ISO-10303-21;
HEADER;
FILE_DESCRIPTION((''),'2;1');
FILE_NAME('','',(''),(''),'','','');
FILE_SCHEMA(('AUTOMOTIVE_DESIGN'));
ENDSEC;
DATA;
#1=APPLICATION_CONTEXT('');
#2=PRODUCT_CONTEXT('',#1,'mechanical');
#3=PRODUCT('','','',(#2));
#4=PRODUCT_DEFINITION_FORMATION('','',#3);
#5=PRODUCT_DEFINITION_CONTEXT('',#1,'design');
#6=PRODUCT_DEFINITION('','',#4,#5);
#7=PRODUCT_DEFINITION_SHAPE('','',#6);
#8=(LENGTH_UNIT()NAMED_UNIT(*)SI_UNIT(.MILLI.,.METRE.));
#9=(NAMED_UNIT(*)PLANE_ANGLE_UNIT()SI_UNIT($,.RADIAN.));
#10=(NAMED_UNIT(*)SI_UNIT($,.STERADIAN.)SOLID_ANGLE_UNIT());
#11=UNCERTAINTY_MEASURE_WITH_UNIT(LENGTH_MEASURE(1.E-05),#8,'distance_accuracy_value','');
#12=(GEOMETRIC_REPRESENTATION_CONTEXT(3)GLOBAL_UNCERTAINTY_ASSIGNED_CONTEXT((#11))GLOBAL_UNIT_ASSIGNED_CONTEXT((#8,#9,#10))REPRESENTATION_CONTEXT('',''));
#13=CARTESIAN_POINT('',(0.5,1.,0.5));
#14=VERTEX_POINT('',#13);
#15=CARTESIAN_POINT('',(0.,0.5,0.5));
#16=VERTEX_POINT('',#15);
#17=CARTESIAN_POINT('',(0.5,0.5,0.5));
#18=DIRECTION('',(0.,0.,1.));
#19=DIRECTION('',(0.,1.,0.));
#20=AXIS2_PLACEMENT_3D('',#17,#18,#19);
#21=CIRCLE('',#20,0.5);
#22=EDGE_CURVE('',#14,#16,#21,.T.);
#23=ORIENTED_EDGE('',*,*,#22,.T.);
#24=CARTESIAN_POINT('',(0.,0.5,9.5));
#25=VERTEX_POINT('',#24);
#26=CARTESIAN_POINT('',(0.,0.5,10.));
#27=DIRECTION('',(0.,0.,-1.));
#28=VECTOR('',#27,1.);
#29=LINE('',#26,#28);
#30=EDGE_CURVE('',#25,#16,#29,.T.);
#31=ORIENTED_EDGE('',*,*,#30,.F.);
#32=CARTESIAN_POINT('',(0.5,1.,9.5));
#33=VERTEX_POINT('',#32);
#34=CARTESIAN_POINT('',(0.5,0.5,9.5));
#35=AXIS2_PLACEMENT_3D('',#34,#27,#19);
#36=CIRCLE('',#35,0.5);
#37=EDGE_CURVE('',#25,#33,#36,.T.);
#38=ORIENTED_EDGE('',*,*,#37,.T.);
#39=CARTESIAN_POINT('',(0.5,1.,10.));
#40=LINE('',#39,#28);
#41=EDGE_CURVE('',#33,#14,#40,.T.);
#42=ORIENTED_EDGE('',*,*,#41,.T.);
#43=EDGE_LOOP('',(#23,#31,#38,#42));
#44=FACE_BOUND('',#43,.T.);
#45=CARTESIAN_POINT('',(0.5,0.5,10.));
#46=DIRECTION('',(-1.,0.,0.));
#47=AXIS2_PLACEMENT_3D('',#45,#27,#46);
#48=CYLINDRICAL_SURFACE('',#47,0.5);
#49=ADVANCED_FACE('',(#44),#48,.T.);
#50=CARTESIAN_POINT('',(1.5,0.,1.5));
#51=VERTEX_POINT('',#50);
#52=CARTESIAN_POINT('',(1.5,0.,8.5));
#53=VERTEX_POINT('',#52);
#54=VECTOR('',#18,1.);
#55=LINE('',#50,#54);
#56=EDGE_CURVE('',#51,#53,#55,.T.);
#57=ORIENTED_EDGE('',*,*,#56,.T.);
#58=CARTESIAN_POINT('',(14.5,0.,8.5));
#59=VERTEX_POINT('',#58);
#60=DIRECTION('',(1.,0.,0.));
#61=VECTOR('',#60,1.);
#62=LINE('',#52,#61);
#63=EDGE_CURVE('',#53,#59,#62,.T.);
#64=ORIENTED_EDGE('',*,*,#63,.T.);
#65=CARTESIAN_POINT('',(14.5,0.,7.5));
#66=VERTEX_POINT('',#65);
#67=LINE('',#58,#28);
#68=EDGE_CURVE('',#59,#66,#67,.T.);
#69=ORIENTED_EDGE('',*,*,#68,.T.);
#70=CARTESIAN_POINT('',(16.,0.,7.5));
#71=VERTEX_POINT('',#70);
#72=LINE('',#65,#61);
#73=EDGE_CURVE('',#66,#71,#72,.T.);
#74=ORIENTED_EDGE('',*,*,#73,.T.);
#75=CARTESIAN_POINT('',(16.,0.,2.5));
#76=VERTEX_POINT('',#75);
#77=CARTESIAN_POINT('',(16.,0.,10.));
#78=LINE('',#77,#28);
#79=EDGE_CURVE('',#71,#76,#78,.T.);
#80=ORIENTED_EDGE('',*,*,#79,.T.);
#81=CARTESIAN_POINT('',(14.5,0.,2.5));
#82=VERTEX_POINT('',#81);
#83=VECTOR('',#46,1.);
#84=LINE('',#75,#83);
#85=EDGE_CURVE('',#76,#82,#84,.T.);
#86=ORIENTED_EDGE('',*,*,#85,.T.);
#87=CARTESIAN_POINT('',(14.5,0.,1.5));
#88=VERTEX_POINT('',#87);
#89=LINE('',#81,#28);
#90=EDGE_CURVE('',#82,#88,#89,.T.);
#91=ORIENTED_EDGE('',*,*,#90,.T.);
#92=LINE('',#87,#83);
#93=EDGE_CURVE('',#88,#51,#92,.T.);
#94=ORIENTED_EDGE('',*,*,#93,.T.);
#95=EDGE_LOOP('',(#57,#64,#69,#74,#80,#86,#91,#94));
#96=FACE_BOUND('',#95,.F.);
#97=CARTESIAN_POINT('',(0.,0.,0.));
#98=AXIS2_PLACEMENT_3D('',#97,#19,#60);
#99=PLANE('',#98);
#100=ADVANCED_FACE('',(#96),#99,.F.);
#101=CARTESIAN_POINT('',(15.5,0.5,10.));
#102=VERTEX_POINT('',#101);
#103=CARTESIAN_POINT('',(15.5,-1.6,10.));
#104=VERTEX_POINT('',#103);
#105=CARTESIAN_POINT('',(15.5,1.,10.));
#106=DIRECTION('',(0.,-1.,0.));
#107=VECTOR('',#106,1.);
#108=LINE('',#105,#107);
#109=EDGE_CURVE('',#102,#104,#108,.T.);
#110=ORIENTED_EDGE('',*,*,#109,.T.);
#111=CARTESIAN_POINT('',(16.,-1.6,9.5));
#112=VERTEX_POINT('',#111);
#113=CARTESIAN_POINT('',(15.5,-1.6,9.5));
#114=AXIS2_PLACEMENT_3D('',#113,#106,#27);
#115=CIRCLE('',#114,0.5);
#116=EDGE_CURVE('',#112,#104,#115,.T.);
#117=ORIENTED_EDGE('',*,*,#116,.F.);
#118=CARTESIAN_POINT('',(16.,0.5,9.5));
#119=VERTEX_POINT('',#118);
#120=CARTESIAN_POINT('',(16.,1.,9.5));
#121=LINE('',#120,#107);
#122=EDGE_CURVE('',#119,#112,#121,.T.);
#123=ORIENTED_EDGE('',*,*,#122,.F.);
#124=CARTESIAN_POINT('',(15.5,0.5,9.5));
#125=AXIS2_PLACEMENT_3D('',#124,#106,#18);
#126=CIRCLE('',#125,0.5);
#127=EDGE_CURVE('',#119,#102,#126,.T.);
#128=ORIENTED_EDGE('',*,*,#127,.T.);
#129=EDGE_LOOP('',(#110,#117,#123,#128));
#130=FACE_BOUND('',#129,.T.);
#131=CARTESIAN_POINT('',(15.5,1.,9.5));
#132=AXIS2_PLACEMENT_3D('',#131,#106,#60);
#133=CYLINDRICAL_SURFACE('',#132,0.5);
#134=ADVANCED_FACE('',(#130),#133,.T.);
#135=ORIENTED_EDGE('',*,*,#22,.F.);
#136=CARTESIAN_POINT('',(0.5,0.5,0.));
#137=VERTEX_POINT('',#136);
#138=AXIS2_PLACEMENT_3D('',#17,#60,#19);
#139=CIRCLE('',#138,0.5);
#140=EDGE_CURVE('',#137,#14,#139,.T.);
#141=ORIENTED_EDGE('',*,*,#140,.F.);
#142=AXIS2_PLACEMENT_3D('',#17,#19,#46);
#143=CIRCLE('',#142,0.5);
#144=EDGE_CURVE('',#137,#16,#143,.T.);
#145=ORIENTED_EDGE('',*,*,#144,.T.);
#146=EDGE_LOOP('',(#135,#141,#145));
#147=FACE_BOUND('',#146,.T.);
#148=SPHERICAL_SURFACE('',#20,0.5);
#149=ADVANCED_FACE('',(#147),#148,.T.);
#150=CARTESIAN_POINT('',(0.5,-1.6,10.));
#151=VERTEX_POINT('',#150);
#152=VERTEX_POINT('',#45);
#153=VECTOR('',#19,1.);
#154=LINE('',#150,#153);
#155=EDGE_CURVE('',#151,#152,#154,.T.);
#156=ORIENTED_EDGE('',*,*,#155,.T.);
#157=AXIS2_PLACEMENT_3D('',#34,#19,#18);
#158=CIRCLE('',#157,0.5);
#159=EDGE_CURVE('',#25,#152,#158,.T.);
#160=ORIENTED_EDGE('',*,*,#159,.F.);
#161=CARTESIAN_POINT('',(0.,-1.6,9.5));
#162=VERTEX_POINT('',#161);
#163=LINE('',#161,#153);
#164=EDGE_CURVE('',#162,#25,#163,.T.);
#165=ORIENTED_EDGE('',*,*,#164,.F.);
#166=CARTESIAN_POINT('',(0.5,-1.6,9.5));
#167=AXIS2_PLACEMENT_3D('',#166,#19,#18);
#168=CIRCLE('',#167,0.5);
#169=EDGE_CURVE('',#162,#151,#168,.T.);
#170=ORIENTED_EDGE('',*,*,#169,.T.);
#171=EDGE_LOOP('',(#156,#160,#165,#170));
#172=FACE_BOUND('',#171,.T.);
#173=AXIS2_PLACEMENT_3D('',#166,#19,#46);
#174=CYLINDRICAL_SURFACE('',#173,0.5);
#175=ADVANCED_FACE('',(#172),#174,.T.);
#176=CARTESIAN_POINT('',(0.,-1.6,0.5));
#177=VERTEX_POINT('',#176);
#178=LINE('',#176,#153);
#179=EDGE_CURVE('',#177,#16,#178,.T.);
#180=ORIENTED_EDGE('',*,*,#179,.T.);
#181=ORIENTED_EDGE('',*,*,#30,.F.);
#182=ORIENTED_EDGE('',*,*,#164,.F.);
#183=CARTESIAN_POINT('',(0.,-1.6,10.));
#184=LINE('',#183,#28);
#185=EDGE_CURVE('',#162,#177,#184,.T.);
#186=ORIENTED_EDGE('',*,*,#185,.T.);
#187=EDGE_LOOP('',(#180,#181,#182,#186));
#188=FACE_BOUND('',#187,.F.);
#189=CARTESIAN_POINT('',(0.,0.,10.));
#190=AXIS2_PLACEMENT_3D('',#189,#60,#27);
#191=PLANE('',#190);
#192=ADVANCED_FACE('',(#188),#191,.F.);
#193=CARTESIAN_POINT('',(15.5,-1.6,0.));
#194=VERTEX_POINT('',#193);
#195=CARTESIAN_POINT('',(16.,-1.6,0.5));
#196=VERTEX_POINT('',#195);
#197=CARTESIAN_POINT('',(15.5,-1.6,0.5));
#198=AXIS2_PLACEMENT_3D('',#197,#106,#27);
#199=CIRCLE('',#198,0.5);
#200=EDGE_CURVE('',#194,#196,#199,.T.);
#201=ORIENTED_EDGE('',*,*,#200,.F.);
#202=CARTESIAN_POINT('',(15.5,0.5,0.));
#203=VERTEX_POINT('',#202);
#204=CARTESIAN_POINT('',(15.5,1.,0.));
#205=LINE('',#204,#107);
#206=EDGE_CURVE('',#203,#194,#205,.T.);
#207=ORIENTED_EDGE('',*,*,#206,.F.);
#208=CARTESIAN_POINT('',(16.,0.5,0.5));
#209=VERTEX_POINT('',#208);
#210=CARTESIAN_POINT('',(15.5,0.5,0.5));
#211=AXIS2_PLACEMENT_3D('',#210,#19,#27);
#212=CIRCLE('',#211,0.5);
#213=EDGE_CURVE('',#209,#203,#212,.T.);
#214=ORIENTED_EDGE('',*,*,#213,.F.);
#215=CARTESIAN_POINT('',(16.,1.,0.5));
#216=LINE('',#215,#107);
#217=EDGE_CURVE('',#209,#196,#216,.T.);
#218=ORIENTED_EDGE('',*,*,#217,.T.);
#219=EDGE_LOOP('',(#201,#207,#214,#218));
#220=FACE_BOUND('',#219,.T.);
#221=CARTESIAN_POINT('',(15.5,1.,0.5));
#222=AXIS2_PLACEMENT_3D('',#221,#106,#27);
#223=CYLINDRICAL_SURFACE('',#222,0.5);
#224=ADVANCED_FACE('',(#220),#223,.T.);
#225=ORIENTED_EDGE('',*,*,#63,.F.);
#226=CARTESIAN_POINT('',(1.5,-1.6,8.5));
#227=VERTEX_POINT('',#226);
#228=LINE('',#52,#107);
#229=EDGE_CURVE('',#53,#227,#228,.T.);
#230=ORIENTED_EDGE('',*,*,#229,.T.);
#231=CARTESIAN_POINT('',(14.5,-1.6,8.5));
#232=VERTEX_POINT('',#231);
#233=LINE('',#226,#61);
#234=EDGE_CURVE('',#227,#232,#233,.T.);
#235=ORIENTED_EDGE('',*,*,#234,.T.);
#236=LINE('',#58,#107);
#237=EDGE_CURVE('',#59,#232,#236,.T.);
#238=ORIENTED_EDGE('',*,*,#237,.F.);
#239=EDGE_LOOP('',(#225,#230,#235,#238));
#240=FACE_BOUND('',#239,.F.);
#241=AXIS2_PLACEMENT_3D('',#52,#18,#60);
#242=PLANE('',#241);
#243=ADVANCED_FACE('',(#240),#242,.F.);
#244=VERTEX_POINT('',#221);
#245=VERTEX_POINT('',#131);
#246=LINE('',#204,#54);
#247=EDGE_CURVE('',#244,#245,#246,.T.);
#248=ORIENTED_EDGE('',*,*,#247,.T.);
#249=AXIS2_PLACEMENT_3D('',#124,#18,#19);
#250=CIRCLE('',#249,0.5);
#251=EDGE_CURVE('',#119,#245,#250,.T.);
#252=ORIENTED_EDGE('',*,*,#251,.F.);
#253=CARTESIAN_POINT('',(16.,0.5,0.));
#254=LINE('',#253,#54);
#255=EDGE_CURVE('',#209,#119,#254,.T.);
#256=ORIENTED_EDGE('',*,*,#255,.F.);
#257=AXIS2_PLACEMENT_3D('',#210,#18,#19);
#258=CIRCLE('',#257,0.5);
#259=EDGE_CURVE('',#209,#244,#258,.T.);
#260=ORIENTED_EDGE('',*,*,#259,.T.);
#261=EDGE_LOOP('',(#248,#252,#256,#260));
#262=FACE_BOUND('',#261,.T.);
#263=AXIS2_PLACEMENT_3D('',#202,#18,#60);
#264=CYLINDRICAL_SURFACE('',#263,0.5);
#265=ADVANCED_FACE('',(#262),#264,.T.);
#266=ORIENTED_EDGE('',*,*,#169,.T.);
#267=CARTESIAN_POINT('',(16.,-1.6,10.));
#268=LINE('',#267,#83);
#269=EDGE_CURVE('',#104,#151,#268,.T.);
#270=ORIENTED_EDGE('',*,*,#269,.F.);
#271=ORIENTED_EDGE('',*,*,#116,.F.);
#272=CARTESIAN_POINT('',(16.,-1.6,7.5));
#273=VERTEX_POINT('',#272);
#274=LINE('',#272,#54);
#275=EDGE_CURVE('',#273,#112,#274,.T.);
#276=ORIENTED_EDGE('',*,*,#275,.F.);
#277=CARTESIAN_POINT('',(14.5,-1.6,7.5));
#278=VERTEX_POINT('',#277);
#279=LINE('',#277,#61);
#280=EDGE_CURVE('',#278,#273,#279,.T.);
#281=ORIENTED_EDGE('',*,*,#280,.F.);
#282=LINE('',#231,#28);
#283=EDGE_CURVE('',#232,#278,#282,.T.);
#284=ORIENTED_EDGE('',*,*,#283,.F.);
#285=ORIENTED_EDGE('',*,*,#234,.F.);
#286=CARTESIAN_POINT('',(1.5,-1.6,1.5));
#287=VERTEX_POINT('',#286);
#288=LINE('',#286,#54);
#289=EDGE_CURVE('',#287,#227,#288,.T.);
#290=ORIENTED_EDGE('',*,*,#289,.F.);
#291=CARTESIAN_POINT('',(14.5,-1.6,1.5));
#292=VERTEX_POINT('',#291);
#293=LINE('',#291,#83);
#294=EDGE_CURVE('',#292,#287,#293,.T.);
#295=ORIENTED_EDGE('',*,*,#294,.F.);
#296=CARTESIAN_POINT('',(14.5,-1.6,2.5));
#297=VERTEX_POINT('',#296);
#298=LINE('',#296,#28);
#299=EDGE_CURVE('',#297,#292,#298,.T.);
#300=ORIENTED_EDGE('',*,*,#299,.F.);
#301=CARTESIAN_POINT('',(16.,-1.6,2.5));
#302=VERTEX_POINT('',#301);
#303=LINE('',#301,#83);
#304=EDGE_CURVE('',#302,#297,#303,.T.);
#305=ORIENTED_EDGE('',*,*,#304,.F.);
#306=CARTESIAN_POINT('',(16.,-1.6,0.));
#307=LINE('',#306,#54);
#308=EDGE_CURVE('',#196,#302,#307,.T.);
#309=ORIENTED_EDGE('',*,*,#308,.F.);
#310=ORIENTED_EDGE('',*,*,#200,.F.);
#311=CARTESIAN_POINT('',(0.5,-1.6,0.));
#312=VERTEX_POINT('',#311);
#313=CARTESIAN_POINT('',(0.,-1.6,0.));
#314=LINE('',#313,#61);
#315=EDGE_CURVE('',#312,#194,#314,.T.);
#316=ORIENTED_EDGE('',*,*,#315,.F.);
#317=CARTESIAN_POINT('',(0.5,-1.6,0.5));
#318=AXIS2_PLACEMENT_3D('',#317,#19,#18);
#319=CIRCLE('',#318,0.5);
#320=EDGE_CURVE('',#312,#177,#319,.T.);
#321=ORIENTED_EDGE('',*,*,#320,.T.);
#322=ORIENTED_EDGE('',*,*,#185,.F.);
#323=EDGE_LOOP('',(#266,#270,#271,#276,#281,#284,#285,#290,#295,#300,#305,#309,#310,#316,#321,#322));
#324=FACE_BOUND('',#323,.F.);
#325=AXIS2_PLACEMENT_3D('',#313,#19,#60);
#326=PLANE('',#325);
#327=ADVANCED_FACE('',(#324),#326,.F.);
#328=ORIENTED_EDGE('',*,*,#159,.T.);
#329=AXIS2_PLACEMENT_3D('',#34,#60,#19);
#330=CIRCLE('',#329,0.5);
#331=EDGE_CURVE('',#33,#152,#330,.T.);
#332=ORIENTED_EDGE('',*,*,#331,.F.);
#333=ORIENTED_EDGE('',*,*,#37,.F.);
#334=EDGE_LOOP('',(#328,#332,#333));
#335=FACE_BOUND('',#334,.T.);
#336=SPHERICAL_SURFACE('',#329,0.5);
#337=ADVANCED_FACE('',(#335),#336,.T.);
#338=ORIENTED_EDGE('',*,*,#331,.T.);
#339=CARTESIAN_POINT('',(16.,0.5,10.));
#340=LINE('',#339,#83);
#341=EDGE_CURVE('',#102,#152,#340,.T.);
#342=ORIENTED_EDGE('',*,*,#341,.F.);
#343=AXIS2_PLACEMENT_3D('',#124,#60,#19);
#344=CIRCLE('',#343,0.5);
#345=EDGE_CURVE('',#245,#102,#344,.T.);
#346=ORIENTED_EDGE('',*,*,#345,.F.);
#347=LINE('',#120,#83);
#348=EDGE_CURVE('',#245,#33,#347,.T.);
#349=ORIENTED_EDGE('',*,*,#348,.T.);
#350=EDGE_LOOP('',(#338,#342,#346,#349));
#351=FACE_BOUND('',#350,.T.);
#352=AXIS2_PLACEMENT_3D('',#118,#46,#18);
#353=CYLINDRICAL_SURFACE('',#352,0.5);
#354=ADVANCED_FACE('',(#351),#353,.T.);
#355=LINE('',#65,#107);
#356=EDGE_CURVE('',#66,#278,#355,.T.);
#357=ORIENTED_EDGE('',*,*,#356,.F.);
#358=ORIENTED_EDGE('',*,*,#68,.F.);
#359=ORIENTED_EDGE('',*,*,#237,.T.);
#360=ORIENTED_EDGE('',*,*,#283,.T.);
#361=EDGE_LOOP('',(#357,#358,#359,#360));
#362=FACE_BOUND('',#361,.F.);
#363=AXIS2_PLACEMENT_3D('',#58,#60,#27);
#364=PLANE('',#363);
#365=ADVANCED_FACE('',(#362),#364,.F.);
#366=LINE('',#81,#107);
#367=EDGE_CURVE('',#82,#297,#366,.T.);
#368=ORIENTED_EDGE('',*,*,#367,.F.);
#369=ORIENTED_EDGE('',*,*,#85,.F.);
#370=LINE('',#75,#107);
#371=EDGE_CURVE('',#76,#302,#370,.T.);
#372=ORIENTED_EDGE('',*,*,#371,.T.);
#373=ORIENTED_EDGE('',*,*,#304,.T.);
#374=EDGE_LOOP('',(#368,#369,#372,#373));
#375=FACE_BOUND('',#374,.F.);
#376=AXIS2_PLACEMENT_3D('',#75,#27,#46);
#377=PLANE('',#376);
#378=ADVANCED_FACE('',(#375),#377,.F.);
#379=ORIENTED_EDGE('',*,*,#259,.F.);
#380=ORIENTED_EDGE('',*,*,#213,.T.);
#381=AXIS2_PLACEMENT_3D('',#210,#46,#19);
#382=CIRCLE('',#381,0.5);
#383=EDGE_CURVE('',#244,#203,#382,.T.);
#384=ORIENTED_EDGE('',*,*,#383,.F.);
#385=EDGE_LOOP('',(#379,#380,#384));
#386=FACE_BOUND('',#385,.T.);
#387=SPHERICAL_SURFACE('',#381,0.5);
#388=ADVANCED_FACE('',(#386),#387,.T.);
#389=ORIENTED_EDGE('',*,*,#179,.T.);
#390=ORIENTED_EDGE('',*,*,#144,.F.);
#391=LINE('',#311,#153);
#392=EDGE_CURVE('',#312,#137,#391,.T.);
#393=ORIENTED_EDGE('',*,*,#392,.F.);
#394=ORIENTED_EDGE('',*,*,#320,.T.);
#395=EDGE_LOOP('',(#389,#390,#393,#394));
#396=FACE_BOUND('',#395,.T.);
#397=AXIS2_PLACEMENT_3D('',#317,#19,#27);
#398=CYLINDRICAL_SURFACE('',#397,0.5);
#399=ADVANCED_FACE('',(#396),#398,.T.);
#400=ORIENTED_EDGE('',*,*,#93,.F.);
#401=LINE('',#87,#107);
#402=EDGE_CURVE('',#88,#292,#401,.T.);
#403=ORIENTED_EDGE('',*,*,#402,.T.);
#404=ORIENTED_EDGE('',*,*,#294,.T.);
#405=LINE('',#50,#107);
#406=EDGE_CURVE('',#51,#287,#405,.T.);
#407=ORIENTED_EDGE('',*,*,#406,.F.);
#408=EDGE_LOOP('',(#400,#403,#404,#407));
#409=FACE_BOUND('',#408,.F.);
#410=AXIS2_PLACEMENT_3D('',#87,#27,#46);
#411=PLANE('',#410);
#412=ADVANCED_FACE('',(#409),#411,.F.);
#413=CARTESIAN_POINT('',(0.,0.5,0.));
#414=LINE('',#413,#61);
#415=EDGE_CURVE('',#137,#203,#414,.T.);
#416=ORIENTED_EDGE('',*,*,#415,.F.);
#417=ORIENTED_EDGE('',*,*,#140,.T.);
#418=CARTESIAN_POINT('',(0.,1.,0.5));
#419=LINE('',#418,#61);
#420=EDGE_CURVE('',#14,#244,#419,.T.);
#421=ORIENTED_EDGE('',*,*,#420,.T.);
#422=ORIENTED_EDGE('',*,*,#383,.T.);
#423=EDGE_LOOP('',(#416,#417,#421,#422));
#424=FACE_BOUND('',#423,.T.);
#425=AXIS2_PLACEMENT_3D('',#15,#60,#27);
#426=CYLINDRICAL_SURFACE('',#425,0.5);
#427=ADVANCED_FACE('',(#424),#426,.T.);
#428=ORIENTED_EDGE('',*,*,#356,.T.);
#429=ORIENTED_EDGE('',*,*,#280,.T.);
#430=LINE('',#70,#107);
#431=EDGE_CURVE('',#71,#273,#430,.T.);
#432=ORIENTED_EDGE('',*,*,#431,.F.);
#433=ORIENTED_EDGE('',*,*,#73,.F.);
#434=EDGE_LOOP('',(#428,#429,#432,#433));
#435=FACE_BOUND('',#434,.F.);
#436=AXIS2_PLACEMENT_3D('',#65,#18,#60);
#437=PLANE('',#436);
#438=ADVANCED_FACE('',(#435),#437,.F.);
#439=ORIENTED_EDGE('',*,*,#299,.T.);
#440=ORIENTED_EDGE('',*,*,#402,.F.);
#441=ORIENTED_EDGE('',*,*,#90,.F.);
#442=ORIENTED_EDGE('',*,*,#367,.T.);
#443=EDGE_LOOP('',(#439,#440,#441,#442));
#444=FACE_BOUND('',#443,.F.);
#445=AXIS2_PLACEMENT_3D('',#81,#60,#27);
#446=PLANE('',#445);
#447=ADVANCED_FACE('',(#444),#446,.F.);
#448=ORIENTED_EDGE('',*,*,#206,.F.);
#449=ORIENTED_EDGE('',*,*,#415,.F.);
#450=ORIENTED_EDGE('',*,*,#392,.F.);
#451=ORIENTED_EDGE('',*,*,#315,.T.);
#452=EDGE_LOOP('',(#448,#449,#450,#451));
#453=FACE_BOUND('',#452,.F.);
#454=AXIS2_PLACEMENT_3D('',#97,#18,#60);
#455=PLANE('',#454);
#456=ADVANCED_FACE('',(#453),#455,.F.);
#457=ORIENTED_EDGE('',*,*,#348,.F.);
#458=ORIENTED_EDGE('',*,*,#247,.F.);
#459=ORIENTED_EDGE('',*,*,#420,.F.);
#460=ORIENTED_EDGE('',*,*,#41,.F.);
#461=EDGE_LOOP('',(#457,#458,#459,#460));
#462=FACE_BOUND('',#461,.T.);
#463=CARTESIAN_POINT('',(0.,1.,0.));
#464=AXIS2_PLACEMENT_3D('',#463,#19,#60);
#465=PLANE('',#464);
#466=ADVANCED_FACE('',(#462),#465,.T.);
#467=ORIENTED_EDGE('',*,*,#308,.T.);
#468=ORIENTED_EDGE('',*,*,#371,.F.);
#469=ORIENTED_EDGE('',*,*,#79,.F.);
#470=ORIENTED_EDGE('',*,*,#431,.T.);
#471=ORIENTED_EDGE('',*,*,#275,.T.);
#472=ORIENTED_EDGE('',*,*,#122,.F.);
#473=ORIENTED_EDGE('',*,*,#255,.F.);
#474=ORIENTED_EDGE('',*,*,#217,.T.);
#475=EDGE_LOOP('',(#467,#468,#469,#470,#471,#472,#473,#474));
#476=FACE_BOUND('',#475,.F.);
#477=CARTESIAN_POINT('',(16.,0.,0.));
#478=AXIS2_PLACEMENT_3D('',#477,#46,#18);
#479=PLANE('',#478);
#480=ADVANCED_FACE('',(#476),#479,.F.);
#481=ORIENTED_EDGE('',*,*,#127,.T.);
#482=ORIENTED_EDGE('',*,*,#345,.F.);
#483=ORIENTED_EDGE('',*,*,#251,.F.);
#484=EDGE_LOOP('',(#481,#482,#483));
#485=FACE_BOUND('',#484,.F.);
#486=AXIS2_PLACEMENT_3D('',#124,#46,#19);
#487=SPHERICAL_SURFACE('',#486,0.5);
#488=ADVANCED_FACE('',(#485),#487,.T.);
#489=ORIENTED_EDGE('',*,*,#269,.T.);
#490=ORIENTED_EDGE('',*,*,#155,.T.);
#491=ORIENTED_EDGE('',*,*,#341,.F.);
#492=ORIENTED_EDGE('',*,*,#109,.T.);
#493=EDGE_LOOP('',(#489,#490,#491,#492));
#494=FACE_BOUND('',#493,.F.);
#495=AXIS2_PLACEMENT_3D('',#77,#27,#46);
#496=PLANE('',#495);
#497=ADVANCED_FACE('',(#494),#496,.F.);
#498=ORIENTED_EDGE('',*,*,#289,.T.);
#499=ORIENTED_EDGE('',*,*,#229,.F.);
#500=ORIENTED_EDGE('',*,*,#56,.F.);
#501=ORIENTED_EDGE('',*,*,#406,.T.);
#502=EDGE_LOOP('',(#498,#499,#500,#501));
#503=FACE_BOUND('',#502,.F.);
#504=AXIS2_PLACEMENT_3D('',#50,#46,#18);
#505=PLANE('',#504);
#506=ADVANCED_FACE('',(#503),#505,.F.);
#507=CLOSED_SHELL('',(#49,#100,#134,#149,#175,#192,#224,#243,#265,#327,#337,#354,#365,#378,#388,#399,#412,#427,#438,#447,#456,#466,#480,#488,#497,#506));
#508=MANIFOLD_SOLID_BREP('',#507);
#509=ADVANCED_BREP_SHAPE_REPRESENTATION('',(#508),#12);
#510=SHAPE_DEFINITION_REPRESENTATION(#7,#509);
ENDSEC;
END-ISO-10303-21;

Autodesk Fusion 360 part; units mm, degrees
sketch "Sketch1" plane through (0, 0, 0) normal (0, 1, 0) x (1, 0, 0)
  line L0 (0, 0) -> (16, 0)
  line L1 (16, -10) -> (0, -10)
  line L2 (0, -10) -> (0, 0)
  line L3 (1.5, -8.5) -> (14.5, -8.5)
  line L4 (14.5, -1.5) -> (1.5, -1.5)
  line L5 (1.5, -1.5) -> (1.5, -8.5)
  line L6 (14.5, -7.5) -> (16, -7.5)
  line L7 (16, -2.5) -> (14.5, -2.5)
  line L8 (16, 0) -> (16, -2.5)
  line L9 (16, -7.5) -> (16, -10)
  line L10 (14.5, -8.5) -> (14.5, -7.5)
  line L11 (14.5, -2.5) -> (14.5, -1.5)
  line L12 (0, -10) -> (16, -10)
  line L13 (16, -10) -> (16, 0)
  line L14 (16, 0) -> (0, 0)
  line L15 (0, 0) -> (0, -10)
  dimension "d2" = 1.5
  dimension "d3" = 1.5
  dimension "d4" = 1.5
  dimension "d5" = 1.5
  dimension "d7" = 1
  dimension "d8" = 1
  dimension "d9" = 13
  dimension "d10" = 10
extrude "Extrude1" add sketch "Sketch1" along normal blind 1
extrude "Extrude2" add sketch "Sketch1" against normal blind 1.6 contours L0 L1 L2 L3 L4 L5 L6 L7 L8 L9 L10 L11 L12 L13 L14 L15
fillet "Fillet1" radius 0.5 8 edges at (8, 1, 10) (0, 1, 5) (8, 1, 0) (16, 1, 5) (16, -0.3, 0) (0, -0.3, 0) (0, -0.3, 10) (16, -0.3, 10)
